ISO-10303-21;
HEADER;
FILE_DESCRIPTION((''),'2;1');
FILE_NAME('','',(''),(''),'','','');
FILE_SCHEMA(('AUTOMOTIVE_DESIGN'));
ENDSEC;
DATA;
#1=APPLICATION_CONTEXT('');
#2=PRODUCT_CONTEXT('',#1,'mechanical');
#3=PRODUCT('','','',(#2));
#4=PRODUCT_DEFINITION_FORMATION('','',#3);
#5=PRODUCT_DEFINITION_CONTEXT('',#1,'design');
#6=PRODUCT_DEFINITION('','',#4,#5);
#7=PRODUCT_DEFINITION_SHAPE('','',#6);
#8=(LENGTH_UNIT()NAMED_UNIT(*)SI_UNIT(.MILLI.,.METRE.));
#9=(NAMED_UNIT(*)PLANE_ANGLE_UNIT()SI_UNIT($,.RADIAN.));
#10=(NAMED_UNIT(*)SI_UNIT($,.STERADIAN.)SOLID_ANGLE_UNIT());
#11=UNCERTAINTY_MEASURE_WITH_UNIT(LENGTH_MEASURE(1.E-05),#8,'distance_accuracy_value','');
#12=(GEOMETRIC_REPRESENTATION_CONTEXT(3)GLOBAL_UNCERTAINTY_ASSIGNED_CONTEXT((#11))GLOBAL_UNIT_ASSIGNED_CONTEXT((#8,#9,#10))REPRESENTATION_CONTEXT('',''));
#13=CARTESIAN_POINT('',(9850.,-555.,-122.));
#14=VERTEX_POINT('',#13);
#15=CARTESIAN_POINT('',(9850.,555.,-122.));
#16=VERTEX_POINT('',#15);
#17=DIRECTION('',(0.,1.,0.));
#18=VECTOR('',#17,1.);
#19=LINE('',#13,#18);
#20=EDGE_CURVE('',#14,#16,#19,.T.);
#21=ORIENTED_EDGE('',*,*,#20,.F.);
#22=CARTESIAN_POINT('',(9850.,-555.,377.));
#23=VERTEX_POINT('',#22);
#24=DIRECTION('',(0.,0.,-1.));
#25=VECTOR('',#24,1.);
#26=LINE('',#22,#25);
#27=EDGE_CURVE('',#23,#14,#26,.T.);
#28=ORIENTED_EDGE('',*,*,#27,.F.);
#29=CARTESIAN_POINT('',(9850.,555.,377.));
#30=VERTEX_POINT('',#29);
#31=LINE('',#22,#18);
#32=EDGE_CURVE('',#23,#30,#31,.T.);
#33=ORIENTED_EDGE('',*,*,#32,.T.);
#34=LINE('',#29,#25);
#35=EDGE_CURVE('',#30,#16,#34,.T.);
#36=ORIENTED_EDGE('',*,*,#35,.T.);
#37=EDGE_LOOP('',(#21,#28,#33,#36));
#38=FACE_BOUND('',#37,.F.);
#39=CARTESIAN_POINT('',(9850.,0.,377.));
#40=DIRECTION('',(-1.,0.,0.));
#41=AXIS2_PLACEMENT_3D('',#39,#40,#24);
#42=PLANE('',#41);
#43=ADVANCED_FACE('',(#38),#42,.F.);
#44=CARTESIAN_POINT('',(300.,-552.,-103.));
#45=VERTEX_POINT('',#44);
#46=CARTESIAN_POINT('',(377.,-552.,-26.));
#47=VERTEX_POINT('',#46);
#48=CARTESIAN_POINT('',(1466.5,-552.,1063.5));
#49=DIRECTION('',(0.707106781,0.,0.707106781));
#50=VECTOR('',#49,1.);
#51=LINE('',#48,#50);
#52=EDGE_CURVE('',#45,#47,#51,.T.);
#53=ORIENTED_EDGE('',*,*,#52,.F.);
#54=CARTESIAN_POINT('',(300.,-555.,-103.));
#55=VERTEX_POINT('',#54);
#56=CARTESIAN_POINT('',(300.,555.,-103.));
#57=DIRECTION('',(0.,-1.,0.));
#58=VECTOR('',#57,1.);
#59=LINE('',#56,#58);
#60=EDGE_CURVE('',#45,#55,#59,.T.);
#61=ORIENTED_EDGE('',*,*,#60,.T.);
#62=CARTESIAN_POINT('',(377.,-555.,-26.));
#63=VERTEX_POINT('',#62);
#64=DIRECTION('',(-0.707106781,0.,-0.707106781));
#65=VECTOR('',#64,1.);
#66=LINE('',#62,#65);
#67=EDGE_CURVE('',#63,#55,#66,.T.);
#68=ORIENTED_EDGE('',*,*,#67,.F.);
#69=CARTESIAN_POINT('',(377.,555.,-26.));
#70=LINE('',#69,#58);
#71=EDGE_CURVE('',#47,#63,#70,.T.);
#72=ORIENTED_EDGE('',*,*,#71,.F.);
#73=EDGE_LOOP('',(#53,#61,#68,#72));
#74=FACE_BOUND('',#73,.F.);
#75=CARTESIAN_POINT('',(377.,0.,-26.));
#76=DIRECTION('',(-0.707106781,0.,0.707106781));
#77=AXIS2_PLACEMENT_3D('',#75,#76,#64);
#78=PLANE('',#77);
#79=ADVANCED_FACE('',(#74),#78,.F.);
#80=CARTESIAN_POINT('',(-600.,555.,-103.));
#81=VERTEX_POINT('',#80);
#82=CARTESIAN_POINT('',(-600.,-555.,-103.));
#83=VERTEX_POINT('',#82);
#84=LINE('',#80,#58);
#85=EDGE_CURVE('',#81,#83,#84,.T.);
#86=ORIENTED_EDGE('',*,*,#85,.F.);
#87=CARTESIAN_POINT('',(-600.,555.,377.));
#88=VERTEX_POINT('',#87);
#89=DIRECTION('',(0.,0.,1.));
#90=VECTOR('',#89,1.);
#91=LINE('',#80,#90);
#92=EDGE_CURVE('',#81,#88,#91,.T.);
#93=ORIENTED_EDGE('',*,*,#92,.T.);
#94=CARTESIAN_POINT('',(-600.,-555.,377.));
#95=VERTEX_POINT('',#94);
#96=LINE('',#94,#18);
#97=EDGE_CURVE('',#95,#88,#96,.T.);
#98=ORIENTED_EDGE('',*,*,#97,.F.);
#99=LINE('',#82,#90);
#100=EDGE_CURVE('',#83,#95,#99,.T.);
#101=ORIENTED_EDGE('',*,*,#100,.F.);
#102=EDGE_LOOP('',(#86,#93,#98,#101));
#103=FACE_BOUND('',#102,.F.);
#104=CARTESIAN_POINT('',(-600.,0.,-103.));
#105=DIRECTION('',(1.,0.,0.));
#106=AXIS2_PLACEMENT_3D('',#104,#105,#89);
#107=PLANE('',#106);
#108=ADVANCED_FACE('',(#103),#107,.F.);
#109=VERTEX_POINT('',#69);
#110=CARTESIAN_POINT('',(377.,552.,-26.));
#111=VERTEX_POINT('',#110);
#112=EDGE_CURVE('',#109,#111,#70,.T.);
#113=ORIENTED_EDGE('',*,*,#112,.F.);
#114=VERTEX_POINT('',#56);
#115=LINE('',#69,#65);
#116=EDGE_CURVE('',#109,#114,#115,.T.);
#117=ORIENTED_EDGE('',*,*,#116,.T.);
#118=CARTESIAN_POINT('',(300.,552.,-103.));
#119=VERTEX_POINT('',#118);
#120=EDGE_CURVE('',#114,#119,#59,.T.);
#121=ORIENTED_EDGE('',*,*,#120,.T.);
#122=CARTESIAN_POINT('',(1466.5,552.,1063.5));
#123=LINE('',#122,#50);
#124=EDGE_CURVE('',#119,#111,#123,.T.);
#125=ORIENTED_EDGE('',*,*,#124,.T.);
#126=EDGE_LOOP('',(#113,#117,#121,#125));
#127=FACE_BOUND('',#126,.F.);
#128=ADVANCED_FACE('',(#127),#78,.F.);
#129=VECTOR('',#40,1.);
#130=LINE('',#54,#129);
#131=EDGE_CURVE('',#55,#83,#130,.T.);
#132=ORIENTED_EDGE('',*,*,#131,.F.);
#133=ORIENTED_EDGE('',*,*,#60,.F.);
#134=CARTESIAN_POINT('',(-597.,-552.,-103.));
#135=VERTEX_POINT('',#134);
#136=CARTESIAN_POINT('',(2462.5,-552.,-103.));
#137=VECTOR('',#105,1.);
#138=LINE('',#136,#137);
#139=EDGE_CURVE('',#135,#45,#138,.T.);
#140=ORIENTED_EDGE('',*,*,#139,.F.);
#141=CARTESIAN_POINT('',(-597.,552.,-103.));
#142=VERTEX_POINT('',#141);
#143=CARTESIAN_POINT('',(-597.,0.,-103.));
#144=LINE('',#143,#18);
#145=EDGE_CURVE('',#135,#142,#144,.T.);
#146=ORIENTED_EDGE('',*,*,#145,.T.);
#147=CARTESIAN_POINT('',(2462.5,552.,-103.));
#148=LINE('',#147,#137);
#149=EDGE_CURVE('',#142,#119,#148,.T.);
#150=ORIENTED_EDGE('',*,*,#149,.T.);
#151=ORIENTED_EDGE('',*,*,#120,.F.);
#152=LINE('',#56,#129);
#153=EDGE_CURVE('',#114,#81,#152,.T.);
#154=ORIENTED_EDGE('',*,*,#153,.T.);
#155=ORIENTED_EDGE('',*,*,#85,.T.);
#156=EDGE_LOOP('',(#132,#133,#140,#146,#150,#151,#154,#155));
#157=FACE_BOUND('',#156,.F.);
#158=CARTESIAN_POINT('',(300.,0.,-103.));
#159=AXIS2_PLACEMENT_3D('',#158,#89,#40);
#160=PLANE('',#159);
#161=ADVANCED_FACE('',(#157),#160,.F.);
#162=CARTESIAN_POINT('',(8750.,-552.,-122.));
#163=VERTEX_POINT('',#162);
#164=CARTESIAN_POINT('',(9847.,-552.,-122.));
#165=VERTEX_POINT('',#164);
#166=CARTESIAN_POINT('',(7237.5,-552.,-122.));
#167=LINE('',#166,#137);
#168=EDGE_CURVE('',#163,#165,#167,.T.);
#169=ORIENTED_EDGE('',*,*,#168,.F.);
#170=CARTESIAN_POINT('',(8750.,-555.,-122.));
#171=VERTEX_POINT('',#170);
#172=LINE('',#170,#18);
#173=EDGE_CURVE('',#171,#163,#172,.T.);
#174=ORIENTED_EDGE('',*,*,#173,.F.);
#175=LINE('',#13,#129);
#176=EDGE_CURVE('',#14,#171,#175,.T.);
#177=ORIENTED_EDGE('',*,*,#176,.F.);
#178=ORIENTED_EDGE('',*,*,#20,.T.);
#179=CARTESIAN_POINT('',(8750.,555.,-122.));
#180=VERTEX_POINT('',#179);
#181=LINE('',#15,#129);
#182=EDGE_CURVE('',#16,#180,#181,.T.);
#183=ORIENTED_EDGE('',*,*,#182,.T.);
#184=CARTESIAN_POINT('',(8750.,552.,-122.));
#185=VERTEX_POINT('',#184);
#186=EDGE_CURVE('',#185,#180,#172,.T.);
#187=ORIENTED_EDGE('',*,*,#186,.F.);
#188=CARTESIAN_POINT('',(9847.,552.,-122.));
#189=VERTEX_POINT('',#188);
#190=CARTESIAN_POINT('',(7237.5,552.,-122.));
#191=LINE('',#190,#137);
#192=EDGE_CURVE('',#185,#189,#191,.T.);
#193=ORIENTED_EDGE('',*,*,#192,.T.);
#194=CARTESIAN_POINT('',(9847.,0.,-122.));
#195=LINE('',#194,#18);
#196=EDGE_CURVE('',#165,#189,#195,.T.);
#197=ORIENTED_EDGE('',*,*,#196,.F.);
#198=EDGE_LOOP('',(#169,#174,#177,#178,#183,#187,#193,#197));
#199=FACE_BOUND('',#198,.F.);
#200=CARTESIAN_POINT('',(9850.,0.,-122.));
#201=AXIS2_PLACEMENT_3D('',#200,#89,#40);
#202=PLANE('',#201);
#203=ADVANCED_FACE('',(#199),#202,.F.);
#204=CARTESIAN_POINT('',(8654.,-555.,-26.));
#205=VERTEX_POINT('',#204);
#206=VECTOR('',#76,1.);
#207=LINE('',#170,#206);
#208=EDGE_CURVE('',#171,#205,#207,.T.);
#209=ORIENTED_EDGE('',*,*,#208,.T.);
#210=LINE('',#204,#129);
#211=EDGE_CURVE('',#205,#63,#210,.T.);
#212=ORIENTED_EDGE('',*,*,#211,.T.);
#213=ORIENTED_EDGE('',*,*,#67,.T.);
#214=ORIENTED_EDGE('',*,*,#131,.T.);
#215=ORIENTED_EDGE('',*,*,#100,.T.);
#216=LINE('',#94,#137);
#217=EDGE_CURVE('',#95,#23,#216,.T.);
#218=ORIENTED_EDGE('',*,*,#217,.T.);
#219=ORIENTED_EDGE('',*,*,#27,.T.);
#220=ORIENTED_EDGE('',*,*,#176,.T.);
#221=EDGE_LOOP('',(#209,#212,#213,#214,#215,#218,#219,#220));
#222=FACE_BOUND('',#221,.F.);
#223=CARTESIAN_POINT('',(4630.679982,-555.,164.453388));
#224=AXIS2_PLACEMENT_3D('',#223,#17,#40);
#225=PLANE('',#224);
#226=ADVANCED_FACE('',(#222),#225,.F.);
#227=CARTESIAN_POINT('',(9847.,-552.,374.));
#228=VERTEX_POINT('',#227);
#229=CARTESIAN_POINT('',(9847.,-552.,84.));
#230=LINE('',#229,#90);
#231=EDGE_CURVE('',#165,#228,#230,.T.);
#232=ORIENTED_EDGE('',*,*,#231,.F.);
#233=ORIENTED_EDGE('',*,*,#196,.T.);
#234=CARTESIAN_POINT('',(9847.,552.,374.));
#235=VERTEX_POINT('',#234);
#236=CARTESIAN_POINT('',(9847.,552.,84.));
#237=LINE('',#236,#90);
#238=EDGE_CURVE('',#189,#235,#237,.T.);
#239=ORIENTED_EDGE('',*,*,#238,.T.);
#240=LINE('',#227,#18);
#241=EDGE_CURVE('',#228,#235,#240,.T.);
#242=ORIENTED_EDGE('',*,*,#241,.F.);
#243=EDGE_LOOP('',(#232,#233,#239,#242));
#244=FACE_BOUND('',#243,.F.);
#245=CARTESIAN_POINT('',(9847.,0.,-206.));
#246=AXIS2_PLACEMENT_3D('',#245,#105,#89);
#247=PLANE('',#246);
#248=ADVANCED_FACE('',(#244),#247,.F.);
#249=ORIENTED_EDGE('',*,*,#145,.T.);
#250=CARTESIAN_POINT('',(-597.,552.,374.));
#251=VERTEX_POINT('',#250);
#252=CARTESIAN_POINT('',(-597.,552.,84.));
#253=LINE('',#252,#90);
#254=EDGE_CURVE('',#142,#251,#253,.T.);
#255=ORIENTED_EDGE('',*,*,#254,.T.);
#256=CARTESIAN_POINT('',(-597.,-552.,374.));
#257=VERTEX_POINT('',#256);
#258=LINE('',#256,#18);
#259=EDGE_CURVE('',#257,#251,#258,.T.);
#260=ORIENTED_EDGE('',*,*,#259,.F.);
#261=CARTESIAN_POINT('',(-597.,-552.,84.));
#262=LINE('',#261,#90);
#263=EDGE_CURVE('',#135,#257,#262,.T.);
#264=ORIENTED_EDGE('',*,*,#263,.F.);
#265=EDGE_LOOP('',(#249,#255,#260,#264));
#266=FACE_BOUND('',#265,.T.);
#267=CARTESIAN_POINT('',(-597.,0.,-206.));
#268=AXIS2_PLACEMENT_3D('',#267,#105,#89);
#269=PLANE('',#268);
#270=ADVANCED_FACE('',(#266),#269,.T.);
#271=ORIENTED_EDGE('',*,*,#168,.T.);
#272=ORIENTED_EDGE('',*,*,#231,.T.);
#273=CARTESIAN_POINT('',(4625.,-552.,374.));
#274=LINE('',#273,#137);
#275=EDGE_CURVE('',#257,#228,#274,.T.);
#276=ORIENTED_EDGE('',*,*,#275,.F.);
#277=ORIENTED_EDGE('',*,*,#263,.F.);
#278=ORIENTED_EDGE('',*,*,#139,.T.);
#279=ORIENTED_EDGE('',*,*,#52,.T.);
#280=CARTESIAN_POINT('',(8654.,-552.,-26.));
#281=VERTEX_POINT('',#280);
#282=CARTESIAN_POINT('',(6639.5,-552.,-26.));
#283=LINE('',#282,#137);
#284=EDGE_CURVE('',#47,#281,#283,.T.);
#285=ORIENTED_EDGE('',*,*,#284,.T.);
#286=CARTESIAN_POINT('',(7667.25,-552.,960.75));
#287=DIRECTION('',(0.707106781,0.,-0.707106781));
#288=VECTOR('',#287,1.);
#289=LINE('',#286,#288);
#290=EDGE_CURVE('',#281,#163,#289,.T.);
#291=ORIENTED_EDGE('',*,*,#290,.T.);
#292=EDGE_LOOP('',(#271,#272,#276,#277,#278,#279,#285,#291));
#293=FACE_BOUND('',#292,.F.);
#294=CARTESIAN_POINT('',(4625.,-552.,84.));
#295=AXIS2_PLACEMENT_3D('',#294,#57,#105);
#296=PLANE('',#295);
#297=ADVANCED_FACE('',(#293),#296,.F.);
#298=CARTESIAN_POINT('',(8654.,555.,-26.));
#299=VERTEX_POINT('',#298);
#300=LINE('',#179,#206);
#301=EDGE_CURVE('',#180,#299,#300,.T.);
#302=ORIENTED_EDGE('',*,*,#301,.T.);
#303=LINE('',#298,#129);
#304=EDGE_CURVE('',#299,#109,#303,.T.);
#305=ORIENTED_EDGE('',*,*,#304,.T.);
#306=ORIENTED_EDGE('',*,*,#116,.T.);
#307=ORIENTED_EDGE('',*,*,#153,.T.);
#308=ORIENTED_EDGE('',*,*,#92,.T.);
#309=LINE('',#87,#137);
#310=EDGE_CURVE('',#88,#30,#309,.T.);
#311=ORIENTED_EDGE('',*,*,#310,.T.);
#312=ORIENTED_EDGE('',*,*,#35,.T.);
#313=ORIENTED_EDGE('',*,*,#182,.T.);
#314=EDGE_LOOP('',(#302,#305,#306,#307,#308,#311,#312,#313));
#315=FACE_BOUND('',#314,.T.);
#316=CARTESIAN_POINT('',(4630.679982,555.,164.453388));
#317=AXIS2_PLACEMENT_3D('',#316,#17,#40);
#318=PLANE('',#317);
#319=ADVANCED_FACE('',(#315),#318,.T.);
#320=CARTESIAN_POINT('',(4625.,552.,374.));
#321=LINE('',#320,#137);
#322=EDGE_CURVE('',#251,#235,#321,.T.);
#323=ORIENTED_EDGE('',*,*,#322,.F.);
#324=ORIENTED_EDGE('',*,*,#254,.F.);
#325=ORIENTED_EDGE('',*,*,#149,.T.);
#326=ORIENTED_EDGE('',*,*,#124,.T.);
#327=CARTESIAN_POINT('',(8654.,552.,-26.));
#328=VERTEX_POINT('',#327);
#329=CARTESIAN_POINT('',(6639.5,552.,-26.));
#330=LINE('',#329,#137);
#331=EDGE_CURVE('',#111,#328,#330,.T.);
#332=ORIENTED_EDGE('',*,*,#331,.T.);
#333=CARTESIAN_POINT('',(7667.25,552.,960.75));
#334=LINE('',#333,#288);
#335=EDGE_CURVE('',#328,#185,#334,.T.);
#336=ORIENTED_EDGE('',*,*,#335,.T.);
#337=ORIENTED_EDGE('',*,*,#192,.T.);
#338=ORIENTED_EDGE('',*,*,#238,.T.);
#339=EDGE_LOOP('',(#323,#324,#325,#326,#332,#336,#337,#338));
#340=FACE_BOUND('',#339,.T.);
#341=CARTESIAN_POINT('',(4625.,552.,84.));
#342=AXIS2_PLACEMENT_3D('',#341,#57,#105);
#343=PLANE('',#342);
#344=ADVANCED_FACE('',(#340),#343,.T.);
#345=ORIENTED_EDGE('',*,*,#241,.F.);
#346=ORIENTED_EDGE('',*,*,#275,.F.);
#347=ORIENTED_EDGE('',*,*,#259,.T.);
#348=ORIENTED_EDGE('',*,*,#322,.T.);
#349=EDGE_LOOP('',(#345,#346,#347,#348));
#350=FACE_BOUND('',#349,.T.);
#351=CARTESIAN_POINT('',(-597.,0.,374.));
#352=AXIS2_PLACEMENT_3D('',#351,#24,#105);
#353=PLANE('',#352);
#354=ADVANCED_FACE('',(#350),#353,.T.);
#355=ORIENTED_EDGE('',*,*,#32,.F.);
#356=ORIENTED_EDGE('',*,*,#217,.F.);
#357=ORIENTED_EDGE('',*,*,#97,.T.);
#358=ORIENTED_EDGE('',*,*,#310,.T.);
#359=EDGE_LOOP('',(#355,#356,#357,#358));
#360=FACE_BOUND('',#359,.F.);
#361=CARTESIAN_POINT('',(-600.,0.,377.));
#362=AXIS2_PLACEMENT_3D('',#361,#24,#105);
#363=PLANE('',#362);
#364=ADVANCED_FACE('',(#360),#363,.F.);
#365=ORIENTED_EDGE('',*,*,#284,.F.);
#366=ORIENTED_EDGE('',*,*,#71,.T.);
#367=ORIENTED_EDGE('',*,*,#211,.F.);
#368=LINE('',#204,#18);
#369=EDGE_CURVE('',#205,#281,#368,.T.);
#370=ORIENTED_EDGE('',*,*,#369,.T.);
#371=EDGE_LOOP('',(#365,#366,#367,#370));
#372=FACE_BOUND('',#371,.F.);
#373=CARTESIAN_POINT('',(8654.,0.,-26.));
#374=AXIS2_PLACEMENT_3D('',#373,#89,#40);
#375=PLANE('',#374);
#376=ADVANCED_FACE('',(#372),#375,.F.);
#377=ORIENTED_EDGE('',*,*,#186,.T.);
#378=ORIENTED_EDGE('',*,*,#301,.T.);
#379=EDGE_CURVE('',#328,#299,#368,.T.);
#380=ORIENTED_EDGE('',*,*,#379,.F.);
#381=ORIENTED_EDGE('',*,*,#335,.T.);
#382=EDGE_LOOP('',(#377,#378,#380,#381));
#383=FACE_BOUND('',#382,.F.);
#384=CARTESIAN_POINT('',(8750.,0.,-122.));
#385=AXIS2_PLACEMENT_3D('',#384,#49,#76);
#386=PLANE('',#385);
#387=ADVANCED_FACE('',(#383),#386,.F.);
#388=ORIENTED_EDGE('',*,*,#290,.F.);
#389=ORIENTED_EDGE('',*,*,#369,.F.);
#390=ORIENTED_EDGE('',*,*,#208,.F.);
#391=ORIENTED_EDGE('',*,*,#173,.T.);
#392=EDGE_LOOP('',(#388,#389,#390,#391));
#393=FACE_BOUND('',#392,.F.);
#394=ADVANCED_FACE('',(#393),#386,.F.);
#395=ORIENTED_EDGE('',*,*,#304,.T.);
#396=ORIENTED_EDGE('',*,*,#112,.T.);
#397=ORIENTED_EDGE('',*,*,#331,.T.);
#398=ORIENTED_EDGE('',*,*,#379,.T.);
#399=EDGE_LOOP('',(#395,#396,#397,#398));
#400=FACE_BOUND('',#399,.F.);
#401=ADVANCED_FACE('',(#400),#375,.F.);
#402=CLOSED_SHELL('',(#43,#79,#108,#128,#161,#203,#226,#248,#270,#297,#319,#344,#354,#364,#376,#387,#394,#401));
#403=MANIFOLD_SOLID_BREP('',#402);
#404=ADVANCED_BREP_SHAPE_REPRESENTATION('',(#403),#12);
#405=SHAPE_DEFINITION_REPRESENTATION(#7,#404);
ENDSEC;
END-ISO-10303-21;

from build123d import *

# Parameters (mm, degrees)
SKETCH034_W      = 10444
SKETCH034_H      = 580
EXTRUDE033_DEPTH = 552
EXTRUDE012_DEPTH = 555


with BuildPart() as extrude033:
    # Sketch034 → Extrude033 (new body, symmetric)
    with BuildSketch(Plane.XZ):
        with Locations((4625, 84)):
            Rectangle(SKETCH034_W, SKETCH034_H)
    extrude(amount=EXTRUDE033_DEPTH, both=True)


with BuildPart() as cut:
    # Sketch020 → Extrude012 (new body, symmetric)
    with BuildSketch(Plane.XZ):
        Polygon((-600, -103), (-600, 377), (9850, 377), (9850, -122), (8750, -122), (8654, -26), (377, -26), (300, -103), align=None)
    extrude(amount=EXTRUDE012_DEPTH, both=True)

    # Cut: cut Extrude033
    add(extrude033.part, mode=Mode.SUBTRACT)


solid = cut.part
